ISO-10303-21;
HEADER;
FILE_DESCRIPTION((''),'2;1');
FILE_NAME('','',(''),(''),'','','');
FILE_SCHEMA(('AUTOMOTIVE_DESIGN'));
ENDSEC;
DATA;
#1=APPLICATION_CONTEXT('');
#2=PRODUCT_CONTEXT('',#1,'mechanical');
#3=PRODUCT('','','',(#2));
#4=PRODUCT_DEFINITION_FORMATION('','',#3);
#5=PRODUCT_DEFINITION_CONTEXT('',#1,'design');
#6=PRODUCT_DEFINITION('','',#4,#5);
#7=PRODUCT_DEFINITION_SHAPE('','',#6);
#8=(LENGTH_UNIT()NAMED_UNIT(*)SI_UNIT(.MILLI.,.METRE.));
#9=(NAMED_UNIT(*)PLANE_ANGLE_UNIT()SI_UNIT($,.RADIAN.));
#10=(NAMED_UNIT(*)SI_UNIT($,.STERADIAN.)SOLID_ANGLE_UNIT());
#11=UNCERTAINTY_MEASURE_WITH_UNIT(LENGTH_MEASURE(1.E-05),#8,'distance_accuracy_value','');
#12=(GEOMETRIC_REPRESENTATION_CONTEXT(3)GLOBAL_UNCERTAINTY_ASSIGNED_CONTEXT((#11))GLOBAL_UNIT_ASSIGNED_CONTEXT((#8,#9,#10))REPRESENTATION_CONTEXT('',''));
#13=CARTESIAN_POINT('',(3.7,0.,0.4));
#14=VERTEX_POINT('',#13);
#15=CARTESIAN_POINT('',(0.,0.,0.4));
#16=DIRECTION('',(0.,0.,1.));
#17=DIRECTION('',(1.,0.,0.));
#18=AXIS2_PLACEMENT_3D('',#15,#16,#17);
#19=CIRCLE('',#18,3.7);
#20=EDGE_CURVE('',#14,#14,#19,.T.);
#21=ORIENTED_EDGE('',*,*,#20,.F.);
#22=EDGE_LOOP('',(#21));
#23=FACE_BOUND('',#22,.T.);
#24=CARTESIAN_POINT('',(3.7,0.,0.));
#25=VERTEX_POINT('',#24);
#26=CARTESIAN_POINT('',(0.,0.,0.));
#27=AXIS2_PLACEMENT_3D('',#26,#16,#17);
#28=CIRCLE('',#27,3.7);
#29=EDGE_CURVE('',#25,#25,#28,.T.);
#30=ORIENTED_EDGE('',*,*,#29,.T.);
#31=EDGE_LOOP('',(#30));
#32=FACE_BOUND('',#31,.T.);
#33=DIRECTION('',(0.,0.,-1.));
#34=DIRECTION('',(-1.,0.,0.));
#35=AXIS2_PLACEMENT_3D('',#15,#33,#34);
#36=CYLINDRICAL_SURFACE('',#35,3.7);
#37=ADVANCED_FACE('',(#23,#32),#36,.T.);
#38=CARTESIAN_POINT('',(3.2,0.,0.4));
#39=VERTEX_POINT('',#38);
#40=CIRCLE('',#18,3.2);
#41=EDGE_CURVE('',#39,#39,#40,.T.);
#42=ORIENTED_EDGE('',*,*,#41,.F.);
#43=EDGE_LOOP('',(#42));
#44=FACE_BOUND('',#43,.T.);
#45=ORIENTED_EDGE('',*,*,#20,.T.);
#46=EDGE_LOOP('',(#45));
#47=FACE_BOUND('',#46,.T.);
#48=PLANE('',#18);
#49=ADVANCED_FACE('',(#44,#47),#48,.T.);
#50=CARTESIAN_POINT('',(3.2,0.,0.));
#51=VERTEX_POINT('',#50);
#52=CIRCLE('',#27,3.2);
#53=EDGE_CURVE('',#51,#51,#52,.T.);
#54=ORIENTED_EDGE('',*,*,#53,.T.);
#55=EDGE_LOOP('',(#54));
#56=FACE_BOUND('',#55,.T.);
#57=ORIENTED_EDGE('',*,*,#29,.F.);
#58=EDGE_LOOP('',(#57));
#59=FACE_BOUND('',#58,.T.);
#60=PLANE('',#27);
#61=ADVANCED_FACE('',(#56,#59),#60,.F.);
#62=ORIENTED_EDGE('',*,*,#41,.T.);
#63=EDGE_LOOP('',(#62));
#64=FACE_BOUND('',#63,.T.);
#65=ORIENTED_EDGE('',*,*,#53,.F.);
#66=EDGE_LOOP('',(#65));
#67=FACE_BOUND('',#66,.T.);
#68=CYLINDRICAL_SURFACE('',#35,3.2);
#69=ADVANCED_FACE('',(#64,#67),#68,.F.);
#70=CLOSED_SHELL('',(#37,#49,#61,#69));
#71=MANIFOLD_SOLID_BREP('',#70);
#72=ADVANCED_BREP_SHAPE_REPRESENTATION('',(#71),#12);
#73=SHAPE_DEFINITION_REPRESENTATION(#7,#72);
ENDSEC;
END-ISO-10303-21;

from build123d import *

# Parameters (mm, degrees)
SKETCH_1_R      = 3.7
SKETCH_1_R_2    = 3.2
EXTRUDE_1_DEPTH = 0.4


with BuildPart() as part:
    # 草图1 → 凸台-拉伸1 (new body)
    with BuildSketch(Plane.XY):
        Circle(SKETCH_1_R)
        Circle(SKETCH_1_R_2, mode=Mode.SUBTRACT)
    extrude(amount=EXTRUDE_1_DEPTH)


solid = part.part
